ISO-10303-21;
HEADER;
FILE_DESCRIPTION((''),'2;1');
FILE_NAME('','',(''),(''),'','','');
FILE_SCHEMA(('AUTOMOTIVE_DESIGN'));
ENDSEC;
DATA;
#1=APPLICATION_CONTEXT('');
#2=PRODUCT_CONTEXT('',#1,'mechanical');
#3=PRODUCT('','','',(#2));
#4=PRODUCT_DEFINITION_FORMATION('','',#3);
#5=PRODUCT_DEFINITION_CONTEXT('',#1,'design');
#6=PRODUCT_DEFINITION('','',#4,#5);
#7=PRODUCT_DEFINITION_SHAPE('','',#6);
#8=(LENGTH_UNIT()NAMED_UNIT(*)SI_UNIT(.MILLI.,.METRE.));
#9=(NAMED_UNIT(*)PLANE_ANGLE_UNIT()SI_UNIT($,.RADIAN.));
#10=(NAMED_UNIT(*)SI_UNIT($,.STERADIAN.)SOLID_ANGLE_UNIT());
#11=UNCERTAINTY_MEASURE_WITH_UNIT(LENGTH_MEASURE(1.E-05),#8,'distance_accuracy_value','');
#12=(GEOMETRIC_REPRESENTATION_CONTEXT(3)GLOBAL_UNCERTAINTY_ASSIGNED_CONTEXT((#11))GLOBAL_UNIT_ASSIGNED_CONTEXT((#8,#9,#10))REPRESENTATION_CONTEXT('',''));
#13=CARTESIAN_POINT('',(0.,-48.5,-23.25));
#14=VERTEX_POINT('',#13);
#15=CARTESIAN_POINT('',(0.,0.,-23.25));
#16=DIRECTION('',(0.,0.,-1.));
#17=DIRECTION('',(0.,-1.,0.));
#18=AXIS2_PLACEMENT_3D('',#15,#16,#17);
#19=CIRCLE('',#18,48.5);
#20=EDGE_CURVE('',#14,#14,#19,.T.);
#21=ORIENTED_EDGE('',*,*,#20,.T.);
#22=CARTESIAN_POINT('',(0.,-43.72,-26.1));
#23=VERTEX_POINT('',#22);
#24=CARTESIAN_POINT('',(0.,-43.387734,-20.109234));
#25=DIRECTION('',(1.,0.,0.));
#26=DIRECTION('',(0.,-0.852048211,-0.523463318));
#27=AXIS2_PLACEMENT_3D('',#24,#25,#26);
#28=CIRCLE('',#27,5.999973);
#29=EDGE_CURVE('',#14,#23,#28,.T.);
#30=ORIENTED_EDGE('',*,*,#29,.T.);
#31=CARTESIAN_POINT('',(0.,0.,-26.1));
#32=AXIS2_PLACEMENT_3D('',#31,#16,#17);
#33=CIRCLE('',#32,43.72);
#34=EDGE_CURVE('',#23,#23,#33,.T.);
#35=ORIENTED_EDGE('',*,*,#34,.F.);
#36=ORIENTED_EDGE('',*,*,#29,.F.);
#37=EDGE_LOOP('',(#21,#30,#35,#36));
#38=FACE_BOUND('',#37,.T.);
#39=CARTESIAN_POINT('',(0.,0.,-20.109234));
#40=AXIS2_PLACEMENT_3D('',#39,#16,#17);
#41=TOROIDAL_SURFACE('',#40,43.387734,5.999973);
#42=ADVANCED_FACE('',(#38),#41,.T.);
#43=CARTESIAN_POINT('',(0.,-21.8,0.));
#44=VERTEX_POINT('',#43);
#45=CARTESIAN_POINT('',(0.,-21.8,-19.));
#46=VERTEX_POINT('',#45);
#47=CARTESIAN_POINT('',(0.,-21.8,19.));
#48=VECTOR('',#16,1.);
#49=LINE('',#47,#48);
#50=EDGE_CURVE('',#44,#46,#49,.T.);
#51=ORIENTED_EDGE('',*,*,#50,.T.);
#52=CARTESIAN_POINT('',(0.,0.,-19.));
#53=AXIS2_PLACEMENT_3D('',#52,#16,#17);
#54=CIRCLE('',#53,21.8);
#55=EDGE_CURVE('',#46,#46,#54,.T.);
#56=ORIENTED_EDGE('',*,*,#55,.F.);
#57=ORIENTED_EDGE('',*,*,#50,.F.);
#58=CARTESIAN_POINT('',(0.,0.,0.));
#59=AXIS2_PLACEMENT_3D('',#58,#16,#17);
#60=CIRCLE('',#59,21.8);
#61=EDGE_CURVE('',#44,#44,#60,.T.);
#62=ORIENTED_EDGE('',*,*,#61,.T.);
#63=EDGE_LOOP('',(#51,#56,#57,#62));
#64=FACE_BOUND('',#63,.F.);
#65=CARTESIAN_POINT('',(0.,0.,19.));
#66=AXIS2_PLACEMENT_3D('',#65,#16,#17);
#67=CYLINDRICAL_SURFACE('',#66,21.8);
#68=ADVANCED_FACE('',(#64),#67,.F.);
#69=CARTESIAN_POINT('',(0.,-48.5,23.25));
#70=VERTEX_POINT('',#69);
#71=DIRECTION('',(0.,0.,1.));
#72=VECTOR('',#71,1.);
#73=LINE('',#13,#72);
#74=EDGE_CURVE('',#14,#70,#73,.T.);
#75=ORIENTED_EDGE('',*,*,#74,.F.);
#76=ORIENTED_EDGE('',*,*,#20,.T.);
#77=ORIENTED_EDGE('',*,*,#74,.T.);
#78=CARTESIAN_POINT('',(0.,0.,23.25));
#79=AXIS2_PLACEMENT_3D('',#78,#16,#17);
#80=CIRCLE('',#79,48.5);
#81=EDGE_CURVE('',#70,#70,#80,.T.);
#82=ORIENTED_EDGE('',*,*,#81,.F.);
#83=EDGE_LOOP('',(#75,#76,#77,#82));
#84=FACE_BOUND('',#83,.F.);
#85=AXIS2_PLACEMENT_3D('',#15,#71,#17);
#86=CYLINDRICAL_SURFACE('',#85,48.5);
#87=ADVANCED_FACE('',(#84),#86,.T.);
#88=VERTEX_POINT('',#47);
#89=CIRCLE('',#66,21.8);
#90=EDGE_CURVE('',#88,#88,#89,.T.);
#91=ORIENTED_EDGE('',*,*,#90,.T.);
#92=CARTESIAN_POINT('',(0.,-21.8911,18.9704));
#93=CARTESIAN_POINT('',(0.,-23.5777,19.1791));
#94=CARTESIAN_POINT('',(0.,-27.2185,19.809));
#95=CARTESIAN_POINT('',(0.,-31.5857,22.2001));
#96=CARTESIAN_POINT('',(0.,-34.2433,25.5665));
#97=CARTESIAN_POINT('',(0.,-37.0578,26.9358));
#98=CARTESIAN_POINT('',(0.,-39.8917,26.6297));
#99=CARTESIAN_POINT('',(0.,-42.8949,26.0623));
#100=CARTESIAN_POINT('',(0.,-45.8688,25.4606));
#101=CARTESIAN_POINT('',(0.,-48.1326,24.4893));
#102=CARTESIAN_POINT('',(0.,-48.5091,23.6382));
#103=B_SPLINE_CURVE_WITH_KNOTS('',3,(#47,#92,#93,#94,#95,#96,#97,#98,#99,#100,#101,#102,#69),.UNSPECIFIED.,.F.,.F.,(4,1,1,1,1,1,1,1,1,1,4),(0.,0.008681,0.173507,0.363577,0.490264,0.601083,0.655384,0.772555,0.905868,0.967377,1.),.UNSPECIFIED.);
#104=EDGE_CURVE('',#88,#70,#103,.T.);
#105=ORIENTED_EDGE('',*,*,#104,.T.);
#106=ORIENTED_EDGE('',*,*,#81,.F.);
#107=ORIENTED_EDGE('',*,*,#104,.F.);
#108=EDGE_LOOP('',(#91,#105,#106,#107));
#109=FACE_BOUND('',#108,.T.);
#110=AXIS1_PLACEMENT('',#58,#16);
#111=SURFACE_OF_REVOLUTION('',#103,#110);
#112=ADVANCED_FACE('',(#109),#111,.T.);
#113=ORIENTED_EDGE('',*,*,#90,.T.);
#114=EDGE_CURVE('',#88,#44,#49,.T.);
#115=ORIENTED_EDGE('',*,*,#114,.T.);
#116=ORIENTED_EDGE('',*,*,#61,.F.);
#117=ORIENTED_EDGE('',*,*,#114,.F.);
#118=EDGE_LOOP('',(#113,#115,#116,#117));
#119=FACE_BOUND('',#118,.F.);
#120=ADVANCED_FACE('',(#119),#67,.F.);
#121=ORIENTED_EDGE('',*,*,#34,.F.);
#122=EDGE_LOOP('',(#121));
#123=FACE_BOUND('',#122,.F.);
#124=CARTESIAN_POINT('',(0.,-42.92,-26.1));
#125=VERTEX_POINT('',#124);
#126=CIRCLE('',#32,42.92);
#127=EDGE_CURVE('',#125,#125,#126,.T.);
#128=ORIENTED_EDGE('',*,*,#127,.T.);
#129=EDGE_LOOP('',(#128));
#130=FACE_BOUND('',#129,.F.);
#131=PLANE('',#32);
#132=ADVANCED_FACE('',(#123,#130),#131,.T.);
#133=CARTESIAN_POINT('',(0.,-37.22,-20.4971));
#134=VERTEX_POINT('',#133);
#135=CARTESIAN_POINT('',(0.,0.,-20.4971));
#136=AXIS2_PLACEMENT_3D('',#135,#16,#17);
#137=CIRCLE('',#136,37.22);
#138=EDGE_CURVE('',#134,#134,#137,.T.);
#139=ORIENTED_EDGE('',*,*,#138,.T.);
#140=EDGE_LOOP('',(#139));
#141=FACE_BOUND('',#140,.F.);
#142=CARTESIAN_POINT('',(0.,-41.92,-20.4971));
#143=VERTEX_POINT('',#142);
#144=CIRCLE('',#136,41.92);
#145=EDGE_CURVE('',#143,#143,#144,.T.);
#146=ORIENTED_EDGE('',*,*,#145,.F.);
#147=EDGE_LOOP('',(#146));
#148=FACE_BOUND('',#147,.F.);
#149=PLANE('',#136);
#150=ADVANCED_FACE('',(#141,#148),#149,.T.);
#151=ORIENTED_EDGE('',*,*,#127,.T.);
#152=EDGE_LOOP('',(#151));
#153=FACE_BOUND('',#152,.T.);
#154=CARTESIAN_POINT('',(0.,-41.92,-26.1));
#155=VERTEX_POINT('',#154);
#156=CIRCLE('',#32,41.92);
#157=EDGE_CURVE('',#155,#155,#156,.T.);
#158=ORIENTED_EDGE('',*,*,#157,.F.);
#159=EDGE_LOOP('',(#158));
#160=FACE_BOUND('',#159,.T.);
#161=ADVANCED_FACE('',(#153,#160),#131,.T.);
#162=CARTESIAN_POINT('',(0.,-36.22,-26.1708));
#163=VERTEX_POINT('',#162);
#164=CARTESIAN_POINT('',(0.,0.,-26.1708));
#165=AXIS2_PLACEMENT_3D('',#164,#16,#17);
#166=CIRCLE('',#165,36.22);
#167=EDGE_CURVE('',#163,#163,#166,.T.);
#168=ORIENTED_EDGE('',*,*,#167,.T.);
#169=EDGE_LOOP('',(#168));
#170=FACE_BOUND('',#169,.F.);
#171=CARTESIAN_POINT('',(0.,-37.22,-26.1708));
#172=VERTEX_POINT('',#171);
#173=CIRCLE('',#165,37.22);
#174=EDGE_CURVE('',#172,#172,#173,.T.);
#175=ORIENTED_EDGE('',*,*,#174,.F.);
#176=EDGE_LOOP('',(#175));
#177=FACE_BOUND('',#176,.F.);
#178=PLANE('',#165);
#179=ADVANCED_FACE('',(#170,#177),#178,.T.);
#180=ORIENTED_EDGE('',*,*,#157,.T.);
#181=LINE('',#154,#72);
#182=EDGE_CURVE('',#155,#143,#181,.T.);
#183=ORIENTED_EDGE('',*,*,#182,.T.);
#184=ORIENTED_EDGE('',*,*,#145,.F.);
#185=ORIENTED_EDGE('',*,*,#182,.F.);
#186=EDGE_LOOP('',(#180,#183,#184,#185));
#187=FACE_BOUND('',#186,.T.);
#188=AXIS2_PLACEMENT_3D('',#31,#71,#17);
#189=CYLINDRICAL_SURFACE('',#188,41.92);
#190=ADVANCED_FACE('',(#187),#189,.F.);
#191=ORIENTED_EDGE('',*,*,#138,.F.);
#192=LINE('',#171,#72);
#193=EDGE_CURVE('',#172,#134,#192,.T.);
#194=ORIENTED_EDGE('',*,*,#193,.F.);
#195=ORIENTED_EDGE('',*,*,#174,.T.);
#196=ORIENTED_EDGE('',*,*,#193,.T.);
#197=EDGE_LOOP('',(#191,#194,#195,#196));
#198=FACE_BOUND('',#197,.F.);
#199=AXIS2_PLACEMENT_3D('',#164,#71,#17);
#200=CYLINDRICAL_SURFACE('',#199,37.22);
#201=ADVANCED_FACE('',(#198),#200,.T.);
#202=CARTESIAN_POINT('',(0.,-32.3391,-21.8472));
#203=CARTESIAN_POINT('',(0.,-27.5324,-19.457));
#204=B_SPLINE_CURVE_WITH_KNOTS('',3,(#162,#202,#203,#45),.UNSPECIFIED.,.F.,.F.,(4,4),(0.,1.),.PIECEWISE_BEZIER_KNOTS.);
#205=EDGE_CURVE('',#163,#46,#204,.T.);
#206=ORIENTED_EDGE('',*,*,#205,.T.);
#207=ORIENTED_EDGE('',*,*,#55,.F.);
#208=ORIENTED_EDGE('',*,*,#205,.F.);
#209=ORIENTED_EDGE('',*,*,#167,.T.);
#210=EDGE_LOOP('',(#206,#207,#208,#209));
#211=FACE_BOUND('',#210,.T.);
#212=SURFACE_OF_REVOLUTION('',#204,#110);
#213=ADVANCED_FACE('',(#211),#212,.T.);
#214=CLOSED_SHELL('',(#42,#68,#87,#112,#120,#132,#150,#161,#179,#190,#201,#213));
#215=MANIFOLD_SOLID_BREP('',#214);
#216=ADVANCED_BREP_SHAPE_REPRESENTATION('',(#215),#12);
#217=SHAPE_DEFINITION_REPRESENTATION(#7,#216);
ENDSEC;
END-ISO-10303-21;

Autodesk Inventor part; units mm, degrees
ref_plane "YZ Plane" through (0, 0, 0) normal (1, 0, 0) x (0, 1, 0)
ref_plane "XZ Plane" through (0, 0, 0) normal (0, 1, 0) x (-1, 0, 0)
ref_plane "XY Plane" through (0, 0, 0) normal (0, 0, 1) x (1, 0, 0)
sketch "Sketch1" plane through (0, 0, 0) normal (1, 0, 0) x (0, 1, 0)
  spline S0 degree 3 poles (-21.8, 19) (-21.8911, 18.9704) (-23.5777, 19.1791) (-27.2185, 19.809) (-31.5857, 22.2001) (-34.2433, 25.5665) (-37.0578, 26.9358) (-39.8917, 26.6297) (-42.8949, 26.0623) (-45.8688, 25.4606) (-48.1326, 24.4893) (-48.5091, 23.6382) (-48.5, 23.25) knots 0 0 0 0 0.008681 0.173507 0.363577 0.490264 0.601083 0.655384 0.772555 0.905868 0.967377 1 1 1 1
  line L0 (-48.5, -23.25) -> (-48.5, 23.25)
  arc A0 (-48.5, -23.25) -> (-43.72, -26.1) centre (-43.3877, -20.1092) ccw
  line L1 (-42.92, -26.1) -> (-43.72, -26.1)
  spline S1 degree 3 poles (-36.22, -26.1708) (-32.3391, -21.8472) (-27.5324, -19.457) (-21.8, -19) knots 0 0 0 0 1 1 1 1
  line L2 (-21.8, 19) -> (-21.8, -19)
  line L3 (0, 0) -> (-21.8, 0)
  line L4 (-21.8, 19) -> (-21.8, -19)
  line L5 (-36.22, -26.1708) -> (-37.22, -26.1708)
  line L6 (-37.22, -26.1708) -> (-37.22, -20.4971)
  line L7 (-37.22, -20.4971) -> (-41.92, -20.4971)
  line L8 (-42.92, -26.1) -> (-41.92, -26.1)
  line L9 (-41.92, -26.1) -> (-41.92, -20.4971)
  line L10 (0, 0) -> (0, -18.1714)
  dimension "d0" = 21.8
  dimension "d1" = 38
  dimension "d2" = 1
  dimension "d3" = 1
  dimension "d4" = 4.7
  dimension "d5" = 5.6737
  dimension "d6" = 6
  dimension "d7" = 48.5
revolve "Revolution1" add sketch "Sketch1" angle 360 about axis through (0, 0, 0) along (0, 0, -1)
properties part number "Urethane 97mm" material "Plastic, Opaque Black"
